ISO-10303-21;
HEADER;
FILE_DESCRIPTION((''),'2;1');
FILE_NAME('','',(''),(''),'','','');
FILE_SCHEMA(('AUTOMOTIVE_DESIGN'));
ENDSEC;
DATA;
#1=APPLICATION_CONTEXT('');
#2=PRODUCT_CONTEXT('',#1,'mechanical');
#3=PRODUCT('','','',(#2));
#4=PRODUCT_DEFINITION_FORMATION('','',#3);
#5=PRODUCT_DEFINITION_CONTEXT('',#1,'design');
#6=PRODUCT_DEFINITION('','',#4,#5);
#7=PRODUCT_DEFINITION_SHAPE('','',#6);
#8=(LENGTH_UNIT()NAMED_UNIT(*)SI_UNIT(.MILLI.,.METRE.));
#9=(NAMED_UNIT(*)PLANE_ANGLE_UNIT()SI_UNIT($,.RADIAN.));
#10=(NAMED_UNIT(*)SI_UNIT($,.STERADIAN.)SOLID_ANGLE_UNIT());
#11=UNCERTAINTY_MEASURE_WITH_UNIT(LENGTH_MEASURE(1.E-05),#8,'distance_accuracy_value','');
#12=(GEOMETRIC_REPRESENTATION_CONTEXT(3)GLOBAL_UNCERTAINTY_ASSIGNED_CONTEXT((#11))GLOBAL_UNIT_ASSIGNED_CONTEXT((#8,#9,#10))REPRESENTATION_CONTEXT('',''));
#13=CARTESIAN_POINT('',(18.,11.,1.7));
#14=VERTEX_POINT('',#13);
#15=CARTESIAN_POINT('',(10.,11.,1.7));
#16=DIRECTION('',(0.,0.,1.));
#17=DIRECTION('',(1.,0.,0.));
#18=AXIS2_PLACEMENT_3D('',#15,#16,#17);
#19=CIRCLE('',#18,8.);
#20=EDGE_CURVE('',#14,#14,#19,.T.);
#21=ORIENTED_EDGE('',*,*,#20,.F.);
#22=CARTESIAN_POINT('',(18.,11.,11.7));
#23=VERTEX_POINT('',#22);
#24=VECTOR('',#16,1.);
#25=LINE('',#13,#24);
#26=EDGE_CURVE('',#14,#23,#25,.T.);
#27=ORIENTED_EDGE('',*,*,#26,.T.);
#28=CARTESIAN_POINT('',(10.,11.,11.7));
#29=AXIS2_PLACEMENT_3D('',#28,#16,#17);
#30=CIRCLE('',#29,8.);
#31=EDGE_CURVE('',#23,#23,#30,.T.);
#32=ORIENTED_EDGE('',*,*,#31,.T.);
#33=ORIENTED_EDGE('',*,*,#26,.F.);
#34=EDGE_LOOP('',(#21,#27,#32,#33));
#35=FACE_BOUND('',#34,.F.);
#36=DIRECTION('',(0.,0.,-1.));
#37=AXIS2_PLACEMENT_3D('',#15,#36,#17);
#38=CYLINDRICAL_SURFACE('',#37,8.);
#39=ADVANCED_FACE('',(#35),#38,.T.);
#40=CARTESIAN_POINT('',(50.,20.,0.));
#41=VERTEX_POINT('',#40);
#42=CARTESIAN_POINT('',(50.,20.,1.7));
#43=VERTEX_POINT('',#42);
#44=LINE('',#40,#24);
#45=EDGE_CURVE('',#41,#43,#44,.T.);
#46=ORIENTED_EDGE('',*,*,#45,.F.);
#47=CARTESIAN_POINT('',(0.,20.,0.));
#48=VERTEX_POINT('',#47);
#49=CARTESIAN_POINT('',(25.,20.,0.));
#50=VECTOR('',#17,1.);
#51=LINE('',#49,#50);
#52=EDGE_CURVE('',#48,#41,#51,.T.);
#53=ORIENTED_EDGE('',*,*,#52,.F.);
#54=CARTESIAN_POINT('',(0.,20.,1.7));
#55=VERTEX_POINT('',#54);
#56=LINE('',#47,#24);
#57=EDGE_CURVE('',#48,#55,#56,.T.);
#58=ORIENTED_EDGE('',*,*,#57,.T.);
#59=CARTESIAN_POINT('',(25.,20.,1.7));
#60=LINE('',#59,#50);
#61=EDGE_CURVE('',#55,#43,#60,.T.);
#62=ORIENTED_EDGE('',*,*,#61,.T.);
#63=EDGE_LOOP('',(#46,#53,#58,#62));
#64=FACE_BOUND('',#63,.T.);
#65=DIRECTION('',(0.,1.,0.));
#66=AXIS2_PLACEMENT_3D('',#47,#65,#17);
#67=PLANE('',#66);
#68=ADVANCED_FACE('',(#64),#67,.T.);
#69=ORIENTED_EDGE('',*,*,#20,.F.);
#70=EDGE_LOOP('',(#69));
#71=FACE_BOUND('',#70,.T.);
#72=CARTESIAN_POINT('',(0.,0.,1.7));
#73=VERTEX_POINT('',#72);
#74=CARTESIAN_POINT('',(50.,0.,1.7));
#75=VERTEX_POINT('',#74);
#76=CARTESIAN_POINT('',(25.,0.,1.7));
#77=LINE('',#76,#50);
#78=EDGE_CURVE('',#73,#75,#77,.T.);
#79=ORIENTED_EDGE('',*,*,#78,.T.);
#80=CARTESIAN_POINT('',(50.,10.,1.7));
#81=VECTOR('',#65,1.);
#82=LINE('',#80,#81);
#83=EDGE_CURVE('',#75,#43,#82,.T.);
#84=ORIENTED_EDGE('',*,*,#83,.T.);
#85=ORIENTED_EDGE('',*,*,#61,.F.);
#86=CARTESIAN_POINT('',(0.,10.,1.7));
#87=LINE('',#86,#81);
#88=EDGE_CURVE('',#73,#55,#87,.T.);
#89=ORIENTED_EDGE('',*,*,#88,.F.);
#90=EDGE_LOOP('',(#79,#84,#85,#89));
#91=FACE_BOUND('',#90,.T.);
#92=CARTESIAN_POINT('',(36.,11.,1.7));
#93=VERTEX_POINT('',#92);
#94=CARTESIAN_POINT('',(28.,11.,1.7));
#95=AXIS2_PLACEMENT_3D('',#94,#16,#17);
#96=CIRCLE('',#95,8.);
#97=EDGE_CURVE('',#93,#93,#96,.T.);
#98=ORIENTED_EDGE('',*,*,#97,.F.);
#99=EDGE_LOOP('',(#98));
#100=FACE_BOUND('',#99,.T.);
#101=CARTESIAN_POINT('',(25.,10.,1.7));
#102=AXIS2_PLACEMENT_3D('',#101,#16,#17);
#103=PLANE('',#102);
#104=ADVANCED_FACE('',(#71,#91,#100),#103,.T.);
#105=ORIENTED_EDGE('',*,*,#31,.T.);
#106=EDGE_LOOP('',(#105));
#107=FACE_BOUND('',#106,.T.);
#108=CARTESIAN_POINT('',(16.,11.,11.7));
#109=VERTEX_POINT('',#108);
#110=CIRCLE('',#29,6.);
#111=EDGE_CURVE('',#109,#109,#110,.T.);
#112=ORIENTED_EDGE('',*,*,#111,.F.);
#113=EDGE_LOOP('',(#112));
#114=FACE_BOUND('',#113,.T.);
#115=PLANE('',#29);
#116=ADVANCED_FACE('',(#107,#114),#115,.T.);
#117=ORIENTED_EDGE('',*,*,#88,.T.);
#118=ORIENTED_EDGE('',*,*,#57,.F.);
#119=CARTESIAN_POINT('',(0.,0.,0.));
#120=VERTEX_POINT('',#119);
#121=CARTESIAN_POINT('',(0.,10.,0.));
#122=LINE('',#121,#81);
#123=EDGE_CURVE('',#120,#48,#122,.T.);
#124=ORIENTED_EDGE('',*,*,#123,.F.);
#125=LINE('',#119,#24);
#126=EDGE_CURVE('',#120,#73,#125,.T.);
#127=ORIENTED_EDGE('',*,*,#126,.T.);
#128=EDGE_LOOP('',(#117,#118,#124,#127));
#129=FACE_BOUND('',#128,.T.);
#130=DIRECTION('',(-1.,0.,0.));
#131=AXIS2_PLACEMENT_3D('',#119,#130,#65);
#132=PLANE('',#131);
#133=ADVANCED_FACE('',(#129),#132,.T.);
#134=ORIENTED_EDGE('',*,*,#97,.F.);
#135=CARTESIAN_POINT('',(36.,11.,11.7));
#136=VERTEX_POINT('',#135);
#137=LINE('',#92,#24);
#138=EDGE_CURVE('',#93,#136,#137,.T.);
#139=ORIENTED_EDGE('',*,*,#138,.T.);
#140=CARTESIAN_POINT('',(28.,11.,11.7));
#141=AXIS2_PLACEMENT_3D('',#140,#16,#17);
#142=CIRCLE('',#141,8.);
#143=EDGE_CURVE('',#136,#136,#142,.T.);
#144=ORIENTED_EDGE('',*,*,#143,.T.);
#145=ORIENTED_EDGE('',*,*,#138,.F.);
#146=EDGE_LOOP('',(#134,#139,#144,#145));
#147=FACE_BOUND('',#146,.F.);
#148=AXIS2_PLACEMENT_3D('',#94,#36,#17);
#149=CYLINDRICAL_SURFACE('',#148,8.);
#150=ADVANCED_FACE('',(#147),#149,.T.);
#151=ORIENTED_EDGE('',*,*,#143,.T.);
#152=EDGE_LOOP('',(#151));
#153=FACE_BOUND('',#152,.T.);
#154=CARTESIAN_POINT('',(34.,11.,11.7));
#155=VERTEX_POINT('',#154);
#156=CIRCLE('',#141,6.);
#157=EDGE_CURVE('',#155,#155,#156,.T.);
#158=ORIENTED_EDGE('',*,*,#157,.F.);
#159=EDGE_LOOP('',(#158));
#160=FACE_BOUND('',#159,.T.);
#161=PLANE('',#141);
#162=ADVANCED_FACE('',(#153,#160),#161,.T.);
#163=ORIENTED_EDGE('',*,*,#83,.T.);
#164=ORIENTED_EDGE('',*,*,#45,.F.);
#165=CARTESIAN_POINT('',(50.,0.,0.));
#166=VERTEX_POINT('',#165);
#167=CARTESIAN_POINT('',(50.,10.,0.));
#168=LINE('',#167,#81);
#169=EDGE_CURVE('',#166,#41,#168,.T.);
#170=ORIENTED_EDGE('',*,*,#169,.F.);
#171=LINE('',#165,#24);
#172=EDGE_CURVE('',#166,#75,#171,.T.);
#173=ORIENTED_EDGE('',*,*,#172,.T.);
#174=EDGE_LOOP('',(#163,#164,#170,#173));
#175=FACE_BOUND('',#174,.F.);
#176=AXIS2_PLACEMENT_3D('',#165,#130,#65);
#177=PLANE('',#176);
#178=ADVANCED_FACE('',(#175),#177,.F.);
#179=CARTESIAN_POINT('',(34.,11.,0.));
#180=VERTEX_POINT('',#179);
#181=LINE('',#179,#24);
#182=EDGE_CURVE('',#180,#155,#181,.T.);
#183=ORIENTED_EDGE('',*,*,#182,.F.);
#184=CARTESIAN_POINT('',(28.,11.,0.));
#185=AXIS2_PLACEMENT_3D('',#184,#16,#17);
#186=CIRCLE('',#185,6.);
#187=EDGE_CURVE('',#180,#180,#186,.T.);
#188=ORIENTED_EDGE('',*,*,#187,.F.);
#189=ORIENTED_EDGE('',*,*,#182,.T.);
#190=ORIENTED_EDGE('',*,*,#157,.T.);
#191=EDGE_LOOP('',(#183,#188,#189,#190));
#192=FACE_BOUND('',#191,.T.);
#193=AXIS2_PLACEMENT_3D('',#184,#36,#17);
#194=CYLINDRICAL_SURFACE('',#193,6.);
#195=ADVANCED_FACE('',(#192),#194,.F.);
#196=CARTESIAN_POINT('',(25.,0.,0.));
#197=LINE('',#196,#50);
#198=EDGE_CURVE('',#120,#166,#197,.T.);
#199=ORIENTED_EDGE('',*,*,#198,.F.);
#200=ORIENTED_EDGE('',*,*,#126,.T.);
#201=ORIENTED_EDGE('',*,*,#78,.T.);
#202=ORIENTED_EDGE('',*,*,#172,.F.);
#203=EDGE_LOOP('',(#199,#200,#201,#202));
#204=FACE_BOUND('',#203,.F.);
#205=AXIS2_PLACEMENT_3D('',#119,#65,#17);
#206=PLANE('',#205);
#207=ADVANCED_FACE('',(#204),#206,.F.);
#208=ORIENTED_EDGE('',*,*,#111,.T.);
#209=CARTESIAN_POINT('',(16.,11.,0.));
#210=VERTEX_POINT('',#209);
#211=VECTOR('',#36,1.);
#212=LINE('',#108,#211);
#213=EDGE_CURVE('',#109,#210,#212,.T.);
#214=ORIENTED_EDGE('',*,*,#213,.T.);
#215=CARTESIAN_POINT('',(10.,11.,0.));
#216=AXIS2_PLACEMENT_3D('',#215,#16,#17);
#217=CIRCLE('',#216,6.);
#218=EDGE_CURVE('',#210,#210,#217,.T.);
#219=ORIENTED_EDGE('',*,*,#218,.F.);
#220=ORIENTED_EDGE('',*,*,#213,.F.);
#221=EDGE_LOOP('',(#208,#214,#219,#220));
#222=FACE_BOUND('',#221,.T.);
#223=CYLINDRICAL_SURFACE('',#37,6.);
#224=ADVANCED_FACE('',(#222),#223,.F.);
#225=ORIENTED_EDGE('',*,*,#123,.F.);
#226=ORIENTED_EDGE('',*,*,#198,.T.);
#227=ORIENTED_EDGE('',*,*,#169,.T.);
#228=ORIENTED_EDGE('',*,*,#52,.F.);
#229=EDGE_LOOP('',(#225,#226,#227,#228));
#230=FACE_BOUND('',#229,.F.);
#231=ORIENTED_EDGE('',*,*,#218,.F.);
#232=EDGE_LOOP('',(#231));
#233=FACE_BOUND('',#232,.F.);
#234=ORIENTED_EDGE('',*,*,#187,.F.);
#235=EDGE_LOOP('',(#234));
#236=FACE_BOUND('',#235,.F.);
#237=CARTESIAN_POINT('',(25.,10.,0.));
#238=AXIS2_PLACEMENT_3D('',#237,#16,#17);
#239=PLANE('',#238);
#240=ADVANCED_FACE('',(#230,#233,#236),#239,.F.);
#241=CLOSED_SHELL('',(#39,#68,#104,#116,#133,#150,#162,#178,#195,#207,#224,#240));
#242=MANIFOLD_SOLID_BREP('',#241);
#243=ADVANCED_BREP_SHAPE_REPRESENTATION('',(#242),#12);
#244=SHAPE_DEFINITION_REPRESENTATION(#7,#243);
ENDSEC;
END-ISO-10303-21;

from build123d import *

# Parameters (mm, degrees)
F0_W     = 50
F0_H     = 20
F0_R     = 6
F1_DEPTH = 1.7
F2_R     = 8
F2_R_2   = 6
F3_DEPTH = 10


with BuildPart() as f1:
    # F0 (on Top) → F1 (new body)
    with BuildSketch(Plane.XY):
        with Locations((25, 10)):
            Rectangle(F0_W, F0_H)
        with Locations((10, 11)):
            Circle(F0_R, mode=Mode.SUBTRACT)
        with Locations((28, 11)):
            Circle(F0_R, mode=Mode.SUBTRACT)
    extrude(amount=F1_DEPTH)

    # F2 (on face) → F3 (join)
    with BuildSketch(Plane.XY.offset(1.7)):
        with Locations((10, 11)):
            Circle(F2_R)
        with Locations((10, 11)):
            Circle(F2_R_2, mode=Mode.SUBTRACT)
        with Locations((28, 11)):
            Circle(F2_R)
        with Locations((28, 11)):
            Circle(F2_R_2, mode=Mode.SUBTRACT)
    extrude(amount=F3_DEPTH)


solid = f1.part
